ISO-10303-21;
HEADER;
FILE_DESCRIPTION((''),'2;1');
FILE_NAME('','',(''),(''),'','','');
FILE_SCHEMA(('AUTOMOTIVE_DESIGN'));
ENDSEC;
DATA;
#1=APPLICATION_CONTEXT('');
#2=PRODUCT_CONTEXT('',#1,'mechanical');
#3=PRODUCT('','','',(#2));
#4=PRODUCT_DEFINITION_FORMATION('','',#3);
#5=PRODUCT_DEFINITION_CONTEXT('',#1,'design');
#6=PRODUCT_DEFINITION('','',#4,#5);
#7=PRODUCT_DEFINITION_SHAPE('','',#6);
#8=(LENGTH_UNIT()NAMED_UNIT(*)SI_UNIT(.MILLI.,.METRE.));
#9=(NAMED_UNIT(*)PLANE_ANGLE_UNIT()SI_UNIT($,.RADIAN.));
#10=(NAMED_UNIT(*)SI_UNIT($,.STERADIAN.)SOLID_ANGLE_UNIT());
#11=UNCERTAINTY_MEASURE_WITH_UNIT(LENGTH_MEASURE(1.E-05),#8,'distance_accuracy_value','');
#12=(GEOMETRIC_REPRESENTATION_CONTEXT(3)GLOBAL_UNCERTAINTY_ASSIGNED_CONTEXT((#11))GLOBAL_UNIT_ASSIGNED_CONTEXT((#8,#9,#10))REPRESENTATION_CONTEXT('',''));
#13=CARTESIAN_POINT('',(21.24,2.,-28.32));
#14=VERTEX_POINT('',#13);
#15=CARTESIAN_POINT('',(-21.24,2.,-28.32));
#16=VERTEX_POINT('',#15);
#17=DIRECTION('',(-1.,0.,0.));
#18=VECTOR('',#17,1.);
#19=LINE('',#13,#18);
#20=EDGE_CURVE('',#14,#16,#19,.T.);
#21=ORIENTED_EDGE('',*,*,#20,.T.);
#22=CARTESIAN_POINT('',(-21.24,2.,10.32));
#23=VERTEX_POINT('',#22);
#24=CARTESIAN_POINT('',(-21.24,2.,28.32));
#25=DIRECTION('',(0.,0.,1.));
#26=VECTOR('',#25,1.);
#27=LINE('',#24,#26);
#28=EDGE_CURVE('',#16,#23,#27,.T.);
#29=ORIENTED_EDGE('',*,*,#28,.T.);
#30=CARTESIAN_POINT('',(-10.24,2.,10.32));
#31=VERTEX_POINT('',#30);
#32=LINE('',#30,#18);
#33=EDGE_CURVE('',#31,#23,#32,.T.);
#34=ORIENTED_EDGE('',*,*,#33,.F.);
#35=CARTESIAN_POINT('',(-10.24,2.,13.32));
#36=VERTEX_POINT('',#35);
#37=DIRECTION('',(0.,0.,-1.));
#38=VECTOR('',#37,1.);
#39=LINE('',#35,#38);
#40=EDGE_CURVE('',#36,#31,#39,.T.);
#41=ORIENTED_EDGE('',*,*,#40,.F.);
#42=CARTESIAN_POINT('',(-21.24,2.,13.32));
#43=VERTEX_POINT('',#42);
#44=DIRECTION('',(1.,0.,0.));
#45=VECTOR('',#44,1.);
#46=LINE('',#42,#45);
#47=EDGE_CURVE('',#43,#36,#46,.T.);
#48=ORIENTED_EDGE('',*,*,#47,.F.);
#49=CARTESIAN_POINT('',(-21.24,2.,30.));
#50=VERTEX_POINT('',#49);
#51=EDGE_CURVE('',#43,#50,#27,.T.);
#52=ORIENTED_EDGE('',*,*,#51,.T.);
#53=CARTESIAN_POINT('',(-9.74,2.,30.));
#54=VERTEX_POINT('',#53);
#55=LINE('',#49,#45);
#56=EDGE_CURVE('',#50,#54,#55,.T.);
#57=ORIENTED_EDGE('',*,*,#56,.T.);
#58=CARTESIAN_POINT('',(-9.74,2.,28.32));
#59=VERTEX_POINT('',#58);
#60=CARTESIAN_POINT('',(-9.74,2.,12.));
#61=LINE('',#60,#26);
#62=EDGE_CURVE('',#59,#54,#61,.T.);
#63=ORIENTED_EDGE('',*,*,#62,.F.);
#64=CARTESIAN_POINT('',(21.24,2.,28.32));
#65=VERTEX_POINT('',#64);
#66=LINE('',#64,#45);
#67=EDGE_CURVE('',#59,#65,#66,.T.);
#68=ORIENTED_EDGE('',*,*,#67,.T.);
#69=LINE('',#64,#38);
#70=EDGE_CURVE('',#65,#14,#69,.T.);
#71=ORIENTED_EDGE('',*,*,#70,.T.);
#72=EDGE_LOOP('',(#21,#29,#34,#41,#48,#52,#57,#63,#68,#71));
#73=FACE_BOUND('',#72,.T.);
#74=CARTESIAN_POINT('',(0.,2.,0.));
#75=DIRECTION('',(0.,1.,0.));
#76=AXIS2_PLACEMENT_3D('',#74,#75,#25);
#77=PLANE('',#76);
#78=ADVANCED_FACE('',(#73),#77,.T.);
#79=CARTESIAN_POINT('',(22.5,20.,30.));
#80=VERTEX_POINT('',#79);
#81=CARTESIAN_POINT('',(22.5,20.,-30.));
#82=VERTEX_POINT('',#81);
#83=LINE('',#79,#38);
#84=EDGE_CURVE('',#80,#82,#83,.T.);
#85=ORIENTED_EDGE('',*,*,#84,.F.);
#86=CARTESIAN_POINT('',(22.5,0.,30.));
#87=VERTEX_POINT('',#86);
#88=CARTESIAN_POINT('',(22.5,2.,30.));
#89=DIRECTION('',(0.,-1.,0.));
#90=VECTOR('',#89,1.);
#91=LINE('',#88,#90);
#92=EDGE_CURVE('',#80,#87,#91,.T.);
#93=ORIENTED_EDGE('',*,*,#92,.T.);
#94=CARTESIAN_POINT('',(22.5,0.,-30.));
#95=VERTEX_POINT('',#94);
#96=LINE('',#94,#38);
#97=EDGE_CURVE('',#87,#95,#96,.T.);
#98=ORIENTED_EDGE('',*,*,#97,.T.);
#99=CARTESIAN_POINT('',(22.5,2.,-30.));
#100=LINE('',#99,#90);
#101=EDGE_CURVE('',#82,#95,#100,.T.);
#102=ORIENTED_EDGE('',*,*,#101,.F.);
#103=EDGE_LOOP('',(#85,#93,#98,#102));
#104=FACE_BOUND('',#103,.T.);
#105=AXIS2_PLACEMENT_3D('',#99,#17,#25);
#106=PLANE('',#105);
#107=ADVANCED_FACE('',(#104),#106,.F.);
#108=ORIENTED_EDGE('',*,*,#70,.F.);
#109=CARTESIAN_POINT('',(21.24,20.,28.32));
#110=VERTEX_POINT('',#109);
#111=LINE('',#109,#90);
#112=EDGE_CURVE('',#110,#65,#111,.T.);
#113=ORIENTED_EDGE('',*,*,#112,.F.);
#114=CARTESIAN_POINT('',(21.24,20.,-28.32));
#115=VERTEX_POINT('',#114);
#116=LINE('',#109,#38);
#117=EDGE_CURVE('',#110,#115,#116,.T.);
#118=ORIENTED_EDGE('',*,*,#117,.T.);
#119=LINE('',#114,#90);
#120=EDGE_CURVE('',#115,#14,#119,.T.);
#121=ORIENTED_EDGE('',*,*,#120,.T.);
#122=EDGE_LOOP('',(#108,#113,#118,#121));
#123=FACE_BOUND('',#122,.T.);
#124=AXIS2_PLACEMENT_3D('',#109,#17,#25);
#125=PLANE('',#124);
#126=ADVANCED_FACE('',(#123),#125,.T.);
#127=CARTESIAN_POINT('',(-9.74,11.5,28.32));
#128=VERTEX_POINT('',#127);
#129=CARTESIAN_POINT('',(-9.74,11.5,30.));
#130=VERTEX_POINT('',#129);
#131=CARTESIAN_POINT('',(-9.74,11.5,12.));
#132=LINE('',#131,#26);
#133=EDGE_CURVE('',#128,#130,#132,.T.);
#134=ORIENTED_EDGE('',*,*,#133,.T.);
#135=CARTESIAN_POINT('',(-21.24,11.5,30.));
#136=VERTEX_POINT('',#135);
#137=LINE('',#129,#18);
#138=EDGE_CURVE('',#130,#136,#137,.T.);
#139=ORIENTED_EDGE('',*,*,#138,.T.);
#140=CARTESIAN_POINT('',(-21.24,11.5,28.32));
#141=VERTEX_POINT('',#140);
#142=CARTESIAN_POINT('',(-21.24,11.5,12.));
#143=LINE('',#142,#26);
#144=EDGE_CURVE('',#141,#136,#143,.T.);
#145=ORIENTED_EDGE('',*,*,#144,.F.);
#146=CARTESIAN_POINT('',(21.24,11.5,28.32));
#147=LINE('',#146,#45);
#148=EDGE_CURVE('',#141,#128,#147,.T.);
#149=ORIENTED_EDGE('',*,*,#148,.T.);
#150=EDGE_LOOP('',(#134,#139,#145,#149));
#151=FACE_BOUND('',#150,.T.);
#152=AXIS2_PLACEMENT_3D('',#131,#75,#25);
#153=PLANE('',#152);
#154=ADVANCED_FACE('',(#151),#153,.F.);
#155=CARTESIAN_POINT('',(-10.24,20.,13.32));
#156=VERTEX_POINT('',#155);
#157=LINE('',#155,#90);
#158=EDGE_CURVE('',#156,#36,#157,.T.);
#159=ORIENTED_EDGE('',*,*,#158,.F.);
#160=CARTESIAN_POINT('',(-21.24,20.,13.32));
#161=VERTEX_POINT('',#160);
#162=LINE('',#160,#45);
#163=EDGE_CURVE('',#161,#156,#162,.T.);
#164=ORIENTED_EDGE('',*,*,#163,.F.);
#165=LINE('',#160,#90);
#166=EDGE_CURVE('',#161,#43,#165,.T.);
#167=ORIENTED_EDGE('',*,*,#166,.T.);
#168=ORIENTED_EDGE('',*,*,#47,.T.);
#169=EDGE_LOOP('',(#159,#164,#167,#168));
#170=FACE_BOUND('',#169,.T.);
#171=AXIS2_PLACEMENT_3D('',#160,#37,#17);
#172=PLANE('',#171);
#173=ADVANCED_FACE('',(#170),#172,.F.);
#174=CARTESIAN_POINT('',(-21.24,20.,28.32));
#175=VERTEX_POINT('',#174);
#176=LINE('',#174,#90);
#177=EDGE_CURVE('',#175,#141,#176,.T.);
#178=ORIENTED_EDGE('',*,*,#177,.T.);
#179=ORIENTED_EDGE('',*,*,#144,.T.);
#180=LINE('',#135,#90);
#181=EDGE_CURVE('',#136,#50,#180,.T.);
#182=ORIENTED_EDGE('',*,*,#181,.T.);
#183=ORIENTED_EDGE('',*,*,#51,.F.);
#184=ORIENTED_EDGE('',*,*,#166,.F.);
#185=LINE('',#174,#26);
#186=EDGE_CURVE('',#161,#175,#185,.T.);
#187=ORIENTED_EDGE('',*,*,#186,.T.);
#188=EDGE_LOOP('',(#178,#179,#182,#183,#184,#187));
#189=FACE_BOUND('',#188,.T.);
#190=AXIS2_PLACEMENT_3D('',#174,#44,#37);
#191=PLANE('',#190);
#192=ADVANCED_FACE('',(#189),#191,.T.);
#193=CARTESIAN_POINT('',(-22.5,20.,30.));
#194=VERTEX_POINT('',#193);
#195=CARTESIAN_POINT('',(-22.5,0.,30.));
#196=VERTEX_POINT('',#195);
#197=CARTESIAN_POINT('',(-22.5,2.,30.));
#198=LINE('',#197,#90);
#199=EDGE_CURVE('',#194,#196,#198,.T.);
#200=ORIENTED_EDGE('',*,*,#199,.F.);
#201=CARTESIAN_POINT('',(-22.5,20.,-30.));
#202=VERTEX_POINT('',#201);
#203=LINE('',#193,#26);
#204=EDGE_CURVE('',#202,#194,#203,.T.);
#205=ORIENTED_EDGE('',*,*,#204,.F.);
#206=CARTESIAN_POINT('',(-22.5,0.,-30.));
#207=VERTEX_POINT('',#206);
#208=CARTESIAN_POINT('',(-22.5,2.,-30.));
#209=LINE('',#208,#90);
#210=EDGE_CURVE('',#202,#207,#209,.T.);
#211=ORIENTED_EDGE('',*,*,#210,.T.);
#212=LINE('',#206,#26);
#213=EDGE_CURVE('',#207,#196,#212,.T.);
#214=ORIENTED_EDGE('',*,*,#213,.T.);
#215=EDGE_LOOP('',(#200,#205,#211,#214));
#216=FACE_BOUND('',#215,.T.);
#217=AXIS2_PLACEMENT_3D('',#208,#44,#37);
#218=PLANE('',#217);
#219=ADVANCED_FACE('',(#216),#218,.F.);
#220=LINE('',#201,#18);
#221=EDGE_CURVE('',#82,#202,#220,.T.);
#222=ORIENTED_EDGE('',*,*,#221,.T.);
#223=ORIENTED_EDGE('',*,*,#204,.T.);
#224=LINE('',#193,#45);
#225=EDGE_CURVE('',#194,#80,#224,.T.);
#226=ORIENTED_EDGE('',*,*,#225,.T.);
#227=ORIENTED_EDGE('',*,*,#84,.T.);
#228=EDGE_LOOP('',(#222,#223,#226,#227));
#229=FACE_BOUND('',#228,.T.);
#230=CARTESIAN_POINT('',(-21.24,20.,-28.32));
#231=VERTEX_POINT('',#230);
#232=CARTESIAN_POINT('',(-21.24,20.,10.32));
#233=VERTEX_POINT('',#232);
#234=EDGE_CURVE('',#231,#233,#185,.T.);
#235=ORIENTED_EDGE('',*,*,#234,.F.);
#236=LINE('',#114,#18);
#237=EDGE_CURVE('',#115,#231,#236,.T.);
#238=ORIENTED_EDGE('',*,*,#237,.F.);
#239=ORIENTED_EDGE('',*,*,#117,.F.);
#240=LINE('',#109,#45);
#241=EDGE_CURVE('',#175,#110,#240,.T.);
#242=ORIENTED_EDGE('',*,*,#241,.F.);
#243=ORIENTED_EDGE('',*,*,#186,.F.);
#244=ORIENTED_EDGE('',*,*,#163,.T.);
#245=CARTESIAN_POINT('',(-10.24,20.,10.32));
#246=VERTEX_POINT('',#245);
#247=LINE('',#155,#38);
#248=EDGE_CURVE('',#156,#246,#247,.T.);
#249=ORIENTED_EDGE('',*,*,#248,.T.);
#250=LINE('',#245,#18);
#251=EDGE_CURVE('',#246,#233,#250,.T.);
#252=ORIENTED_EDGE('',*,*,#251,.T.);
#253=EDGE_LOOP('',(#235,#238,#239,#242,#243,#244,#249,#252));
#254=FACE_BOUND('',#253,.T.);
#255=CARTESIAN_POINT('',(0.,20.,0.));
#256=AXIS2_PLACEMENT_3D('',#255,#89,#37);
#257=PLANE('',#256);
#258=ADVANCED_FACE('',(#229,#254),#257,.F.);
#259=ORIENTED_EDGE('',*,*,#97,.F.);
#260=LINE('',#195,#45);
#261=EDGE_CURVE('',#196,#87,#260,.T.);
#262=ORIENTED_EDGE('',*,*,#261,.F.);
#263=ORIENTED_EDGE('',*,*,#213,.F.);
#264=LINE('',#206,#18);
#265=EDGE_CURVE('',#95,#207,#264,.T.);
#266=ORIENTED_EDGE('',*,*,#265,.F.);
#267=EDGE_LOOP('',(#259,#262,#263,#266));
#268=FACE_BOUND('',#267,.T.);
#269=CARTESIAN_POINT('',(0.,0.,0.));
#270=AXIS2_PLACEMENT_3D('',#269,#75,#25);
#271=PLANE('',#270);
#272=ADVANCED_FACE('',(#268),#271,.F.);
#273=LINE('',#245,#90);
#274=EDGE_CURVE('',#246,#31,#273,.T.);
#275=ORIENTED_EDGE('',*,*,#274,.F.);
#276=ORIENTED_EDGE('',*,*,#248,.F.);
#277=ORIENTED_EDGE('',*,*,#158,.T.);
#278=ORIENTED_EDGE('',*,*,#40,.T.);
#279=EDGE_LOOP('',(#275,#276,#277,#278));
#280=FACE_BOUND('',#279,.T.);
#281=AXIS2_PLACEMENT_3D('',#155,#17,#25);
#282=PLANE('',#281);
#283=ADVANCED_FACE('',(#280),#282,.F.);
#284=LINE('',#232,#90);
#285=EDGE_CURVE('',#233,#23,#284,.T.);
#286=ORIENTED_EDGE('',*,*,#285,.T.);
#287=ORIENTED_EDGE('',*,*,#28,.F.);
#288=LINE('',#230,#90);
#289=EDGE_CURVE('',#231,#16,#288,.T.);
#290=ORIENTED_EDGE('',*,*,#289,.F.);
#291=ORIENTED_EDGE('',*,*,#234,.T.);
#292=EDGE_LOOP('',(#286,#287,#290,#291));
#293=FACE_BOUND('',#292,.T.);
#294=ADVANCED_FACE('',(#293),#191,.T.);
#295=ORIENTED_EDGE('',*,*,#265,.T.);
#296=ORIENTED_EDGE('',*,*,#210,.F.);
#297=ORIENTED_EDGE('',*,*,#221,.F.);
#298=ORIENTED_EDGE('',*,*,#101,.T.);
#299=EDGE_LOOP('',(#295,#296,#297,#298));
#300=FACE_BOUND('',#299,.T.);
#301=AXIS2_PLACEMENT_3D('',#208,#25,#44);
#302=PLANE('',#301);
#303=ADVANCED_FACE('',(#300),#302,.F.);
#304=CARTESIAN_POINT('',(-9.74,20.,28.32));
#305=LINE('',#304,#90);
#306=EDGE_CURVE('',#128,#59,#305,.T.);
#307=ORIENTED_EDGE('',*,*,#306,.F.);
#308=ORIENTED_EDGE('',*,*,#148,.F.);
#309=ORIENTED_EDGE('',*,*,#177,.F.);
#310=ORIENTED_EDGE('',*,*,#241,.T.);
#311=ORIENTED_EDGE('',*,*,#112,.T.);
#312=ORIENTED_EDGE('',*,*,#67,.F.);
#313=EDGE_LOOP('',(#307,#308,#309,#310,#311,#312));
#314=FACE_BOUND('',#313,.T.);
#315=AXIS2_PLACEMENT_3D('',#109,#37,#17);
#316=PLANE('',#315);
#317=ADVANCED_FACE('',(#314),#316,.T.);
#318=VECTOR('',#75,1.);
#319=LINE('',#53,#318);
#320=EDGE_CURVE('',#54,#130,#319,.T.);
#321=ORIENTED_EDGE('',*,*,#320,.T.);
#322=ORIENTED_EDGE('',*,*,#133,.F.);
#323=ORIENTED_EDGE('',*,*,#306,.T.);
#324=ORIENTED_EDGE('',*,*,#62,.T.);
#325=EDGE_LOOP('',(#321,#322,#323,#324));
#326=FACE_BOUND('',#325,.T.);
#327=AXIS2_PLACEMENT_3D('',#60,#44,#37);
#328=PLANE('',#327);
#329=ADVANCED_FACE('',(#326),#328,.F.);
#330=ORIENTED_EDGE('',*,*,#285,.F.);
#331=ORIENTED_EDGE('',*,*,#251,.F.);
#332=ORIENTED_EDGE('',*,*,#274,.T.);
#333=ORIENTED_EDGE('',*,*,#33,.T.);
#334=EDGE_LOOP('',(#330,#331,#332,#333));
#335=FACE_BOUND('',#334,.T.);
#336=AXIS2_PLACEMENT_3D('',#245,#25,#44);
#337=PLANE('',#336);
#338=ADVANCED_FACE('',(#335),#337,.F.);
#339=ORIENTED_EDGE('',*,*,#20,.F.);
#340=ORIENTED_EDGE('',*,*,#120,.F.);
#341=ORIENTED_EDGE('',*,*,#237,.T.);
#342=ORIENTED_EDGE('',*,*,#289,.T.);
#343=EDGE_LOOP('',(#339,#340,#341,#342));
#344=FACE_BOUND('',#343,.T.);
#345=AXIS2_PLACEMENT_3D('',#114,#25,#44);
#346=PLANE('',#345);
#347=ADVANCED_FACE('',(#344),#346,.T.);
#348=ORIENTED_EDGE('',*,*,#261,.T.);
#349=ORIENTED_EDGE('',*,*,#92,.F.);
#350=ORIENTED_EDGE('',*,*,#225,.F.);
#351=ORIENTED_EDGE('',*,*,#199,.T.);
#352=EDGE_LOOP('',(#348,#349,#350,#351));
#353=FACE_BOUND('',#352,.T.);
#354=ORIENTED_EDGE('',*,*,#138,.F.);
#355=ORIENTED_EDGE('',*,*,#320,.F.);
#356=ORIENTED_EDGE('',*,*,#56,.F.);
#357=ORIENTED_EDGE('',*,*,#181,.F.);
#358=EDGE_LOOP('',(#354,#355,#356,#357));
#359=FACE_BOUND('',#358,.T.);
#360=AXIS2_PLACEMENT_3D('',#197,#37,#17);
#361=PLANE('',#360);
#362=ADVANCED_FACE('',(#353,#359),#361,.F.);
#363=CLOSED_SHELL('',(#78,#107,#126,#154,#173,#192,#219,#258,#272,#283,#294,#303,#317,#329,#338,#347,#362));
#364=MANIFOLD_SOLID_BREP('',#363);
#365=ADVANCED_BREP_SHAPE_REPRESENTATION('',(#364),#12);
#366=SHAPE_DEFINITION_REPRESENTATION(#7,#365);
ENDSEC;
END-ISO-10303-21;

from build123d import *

# Parameters (mm, degrees)
IZIM1_W                     = 45
IZIM1_H                     = 60
Y_KSEKLIK_EKSTR_ZYON1_DEPTH = 2
IZIM2_W                     = 45
IZIM2_H                     = 60
IZIM2_W_2                   = 42.48
IZIM2_H_2                   = 56.64
Y_KSEKLIK_EKSTR_ZYON2_DEPTH = 18
IZIM6_W                     = 11.5
IZIM6_H                     = 9.5
KES_EKSTR_ZYON2_DEPTH       = 18
IZIM7_W                     = 11
IZIM7_H                     = 3
Y_KSEKLIK_EKSTR_ZYON3_DEPTH = 18


with BuildPart() as part:
    # Çizim1 → Yükseklik-Ekstrüzyon1 (new body)
    with BuildSketch(Plane(origin=(0, 0, 0), x_dir=(1, 0, 0), z_dir=(0, 1, 0))):
        Rectangle(IZIM1_W, IZIM1_H)
    extrude(amount=Y_KSEKLIK_EKSTR_ZYON1_DEPTH)

    # Çizim2 → Yükseklik-Ekstrüzyon2 (add)
    with BuildSketch(Plane(origin=(0, 2, 0), x_dir=(1, 0, 0), z_dir=(0, 1, 0))):
        Rectangle(IZIM2_W, IZIM2_H)
        Rectangle(IZIM2_W_2, IZIM2_H_2, mode=Mode.SUBTRACT)
    extrude(amount=Y_KSEKLIK_EKSTR_ZYON2_DEPTH)

    # Çizim6 → Kes-Ekstrüzyon2 (cut)
    with BuildSketch(Plane.XY.offset(30)):
        with Locations((-15.49, 6.75)):
            Rectangle(IZIM6_W, IZIM6_H)
    extrude(amount=-KES_EKSTR_ZYON2_DEPTH, mode=Mode.SUBTRACT)

    # Çizim7 → Yükseklik-Ekstrüzyon3 (add)
    with BuildSketch(Plane(origin=(0, 2, 0), x_dir=(1, 0, 0), z_dir=(0, 1, 0))):
        with Locations((-15.74, -11.82)):
            Rectangle(IZIM7_W, IZIM7_H)
    extrude(amount=Y_KSEKLIK_EKSTR_ZYON3_DEPTH)


solid = part.part
